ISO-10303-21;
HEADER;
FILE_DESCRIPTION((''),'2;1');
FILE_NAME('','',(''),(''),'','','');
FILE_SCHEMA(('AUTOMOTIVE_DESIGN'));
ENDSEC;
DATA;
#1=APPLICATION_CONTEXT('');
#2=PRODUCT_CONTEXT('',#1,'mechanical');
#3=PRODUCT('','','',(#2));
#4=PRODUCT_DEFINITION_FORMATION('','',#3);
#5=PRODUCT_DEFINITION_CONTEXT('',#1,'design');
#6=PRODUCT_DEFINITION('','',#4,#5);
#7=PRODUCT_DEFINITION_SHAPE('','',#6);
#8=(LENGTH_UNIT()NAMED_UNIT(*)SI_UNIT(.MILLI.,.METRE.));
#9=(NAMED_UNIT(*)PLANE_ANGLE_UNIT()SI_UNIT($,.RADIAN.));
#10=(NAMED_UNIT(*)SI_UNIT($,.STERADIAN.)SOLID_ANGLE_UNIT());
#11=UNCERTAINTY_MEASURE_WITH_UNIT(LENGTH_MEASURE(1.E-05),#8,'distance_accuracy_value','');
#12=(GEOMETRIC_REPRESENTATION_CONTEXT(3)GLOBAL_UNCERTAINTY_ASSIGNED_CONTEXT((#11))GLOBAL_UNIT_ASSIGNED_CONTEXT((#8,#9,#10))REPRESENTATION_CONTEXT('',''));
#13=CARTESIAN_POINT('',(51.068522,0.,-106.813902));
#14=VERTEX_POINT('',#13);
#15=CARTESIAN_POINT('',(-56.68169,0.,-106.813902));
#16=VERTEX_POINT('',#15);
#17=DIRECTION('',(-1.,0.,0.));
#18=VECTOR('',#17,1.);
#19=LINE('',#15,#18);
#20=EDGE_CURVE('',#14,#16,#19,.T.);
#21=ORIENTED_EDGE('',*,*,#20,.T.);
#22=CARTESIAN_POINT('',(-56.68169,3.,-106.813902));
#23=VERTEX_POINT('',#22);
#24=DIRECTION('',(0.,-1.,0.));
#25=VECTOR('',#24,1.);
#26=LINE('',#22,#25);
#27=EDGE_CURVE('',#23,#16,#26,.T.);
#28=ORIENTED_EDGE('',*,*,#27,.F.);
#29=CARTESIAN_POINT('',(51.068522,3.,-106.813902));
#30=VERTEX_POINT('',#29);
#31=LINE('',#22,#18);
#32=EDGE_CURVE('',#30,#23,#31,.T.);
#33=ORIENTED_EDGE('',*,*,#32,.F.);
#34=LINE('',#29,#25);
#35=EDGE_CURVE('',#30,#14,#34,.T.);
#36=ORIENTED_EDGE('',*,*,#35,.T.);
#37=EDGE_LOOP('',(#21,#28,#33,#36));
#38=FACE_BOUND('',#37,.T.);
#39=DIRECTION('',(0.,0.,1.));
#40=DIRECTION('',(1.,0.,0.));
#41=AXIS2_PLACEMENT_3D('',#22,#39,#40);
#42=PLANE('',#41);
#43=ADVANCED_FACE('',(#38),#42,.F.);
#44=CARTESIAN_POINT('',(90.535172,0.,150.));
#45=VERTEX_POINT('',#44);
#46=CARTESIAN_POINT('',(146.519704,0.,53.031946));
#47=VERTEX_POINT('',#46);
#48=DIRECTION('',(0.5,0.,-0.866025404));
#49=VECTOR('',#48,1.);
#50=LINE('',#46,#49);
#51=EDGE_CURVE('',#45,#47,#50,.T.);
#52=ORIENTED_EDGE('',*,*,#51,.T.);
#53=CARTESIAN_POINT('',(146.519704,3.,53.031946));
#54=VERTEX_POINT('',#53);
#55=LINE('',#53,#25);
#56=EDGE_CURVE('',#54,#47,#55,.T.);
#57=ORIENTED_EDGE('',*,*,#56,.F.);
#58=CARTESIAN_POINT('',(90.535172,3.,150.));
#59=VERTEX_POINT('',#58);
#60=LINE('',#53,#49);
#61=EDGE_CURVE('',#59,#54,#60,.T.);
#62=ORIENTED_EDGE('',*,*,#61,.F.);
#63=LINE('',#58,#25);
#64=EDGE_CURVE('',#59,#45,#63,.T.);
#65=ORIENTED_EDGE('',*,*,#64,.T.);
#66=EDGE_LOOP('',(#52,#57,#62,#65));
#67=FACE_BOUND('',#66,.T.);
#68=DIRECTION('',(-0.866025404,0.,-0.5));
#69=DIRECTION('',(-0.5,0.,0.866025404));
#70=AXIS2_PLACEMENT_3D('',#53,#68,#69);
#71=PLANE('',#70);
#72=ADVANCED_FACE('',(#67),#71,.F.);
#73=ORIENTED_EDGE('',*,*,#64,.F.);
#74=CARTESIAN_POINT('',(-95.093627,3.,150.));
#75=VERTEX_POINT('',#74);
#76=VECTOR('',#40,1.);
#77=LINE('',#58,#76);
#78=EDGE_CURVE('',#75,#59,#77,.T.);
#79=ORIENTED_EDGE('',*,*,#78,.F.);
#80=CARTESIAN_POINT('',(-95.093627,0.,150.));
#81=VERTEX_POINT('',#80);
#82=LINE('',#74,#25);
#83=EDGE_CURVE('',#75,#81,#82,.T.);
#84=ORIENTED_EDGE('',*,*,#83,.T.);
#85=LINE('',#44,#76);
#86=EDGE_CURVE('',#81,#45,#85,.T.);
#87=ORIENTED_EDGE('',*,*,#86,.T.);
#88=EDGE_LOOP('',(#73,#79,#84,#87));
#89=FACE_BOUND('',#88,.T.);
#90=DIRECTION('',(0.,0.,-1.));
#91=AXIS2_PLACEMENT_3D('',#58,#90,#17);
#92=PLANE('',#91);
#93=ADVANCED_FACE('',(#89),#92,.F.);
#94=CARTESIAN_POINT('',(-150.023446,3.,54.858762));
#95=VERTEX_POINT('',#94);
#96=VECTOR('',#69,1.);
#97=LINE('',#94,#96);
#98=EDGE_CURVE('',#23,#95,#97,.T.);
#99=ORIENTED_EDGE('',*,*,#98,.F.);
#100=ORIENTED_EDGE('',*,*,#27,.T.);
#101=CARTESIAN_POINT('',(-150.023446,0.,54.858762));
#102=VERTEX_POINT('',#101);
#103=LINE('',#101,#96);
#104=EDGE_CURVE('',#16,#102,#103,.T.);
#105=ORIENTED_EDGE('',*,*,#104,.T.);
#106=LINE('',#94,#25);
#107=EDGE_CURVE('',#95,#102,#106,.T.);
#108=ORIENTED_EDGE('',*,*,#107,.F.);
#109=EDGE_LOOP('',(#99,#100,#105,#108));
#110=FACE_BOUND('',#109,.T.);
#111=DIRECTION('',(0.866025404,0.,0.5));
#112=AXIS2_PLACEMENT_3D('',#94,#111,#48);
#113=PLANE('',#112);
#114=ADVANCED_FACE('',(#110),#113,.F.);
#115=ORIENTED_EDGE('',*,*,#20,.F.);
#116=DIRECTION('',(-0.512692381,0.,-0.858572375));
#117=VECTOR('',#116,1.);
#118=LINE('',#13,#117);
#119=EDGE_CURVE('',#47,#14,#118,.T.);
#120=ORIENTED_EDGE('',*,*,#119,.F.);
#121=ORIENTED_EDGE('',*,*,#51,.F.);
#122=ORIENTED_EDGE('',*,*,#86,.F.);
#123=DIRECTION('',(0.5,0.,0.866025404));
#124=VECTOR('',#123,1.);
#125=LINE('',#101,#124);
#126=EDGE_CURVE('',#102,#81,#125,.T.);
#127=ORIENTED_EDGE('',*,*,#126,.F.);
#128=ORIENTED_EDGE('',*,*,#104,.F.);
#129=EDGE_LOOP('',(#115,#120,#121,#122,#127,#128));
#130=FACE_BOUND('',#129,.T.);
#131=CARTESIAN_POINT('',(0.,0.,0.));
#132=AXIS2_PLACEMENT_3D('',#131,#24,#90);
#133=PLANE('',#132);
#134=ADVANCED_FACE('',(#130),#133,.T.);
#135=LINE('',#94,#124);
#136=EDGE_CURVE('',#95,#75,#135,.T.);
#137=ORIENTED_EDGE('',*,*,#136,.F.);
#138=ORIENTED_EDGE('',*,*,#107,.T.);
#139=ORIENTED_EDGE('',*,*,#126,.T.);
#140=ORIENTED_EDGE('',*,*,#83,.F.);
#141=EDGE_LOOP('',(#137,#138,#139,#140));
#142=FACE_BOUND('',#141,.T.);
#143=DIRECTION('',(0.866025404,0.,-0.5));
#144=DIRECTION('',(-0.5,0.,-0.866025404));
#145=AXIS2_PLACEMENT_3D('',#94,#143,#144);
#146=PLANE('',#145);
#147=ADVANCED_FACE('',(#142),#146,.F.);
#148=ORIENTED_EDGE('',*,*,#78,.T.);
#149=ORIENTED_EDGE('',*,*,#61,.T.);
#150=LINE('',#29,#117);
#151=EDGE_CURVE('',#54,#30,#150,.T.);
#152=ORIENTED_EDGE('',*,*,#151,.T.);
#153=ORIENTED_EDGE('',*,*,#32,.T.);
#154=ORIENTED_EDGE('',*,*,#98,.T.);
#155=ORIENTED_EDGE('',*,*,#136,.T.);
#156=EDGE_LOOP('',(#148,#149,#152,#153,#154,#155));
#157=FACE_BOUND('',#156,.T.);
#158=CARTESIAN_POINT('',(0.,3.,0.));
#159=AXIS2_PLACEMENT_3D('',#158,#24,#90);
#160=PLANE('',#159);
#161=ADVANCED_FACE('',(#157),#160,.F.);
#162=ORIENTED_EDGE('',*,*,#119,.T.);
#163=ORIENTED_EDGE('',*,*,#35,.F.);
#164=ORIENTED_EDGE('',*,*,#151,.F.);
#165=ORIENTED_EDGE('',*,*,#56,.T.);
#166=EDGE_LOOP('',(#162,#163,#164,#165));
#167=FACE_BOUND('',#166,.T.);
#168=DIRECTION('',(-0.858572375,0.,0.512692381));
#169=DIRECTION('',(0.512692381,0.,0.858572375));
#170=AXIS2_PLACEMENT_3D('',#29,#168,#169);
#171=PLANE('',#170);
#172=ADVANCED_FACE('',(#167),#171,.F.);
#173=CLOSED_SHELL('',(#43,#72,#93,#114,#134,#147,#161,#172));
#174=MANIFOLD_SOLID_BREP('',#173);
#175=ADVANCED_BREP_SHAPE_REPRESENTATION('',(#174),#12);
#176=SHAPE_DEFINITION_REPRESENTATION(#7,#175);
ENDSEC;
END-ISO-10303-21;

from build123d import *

# Parameters (mm, degrees)
BOSS_EXTRUDE1_DEPTH = 3


with BuildPart() as part:
    # Sketch2 → Boss-Extrude1 (new body)
    with BuildSketch(Plane(origin=(0, 0, 0), x_dir=(1, 0, 0), z_dir=(0, 1, 0))):
        Polygon((-56.681690491, 106.813901532), (51.068521848, 106.813901532), (146.519703864, -53.031945828), (90.535171685, -150), (-95.093627324, -150), (-150.023446498, -54.85876234), align=None)
    extrude(amount=BOSS_EXTRUDE1_DEPTH)


solid = part.part
